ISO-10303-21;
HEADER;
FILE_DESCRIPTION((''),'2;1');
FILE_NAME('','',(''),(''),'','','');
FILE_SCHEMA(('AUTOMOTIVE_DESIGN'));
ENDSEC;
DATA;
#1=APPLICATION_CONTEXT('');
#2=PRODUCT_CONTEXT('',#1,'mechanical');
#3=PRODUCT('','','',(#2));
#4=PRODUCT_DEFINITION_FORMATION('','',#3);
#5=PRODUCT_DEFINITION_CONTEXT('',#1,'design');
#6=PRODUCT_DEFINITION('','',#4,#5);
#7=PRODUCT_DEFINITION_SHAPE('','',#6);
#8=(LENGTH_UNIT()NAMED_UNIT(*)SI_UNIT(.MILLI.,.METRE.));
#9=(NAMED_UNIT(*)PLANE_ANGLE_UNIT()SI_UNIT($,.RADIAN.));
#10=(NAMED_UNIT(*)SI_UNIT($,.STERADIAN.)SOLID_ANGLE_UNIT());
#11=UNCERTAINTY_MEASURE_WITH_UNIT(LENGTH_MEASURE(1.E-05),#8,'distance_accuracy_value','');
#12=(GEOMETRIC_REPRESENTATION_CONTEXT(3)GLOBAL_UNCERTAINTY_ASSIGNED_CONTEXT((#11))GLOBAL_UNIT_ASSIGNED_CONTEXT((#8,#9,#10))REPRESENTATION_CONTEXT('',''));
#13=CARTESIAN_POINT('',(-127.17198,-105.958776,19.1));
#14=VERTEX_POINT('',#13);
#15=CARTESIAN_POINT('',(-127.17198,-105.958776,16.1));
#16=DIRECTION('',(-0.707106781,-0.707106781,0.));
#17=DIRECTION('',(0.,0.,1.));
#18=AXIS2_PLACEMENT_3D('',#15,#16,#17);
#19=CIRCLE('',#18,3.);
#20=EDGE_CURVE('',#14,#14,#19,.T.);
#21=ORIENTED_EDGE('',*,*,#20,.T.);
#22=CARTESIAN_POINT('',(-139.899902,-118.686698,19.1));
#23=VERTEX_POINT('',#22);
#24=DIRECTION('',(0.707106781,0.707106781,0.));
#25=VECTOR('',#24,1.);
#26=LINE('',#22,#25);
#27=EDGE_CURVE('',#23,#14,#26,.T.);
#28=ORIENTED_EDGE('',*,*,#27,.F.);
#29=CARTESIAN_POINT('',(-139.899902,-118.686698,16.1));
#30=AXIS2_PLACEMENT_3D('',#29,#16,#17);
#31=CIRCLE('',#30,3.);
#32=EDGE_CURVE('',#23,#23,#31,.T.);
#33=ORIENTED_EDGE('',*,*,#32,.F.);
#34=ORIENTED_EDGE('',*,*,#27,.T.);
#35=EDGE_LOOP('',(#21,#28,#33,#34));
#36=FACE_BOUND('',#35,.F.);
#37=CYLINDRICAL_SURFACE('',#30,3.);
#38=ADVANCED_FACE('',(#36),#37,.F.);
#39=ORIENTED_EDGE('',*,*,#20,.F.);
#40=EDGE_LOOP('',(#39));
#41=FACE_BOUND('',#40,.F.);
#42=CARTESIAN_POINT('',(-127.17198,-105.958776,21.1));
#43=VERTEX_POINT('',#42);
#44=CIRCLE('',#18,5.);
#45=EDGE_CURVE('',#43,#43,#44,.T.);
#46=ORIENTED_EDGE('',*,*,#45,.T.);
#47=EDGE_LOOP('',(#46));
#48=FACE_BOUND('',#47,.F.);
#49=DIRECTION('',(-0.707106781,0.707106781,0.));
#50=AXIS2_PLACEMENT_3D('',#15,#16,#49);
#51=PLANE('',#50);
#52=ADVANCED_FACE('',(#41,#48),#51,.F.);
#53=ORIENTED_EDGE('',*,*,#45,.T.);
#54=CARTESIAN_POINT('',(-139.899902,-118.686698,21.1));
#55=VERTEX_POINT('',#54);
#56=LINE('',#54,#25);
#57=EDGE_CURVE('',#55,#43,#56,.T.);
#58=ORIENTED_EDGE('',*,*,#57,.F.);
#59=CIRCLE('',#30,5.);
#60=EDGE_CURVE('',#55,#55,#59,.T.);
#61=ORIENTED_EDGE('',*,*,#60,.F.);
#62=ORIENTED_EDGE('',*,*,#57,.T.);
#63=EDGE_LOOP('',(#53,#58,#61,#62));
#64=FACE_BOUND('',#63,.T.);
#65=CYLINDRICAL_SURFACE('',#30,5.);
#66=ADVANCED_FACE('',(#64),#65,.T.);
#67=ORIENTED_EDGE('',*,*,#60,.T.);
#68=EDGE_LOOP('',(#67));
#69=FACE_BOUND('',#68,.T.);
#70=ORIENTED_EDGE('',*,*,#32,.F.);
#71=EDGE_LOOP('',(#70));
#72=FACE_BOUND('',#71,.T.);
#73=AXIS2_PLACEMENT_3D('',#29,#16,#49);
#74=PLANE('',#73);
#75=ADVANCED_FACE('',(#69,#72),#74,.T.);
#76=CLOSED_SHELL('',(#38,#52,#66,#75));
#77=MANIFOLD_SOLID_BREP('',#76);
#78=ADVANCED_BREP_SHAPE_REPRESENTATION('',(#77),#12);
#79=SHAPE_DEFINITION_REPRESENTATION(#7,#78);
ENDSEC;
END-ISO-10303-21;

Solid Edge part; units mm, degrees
sketch "Sketch1" plane through (-129.2933, -129.2933, 0) normal (-0.7071, -0.7071, 0) x (0, 0, 1)
  circle A0 centre (16.1, 15) radius 5
  circle A1 centre (16.1, 15) radius 3
  dimension "D1" = 10
extrude "ExtrudedProtrusion_2" add sketch "Sketch1" against normal blind 18
properties material "ABS Plastic, high impact"
